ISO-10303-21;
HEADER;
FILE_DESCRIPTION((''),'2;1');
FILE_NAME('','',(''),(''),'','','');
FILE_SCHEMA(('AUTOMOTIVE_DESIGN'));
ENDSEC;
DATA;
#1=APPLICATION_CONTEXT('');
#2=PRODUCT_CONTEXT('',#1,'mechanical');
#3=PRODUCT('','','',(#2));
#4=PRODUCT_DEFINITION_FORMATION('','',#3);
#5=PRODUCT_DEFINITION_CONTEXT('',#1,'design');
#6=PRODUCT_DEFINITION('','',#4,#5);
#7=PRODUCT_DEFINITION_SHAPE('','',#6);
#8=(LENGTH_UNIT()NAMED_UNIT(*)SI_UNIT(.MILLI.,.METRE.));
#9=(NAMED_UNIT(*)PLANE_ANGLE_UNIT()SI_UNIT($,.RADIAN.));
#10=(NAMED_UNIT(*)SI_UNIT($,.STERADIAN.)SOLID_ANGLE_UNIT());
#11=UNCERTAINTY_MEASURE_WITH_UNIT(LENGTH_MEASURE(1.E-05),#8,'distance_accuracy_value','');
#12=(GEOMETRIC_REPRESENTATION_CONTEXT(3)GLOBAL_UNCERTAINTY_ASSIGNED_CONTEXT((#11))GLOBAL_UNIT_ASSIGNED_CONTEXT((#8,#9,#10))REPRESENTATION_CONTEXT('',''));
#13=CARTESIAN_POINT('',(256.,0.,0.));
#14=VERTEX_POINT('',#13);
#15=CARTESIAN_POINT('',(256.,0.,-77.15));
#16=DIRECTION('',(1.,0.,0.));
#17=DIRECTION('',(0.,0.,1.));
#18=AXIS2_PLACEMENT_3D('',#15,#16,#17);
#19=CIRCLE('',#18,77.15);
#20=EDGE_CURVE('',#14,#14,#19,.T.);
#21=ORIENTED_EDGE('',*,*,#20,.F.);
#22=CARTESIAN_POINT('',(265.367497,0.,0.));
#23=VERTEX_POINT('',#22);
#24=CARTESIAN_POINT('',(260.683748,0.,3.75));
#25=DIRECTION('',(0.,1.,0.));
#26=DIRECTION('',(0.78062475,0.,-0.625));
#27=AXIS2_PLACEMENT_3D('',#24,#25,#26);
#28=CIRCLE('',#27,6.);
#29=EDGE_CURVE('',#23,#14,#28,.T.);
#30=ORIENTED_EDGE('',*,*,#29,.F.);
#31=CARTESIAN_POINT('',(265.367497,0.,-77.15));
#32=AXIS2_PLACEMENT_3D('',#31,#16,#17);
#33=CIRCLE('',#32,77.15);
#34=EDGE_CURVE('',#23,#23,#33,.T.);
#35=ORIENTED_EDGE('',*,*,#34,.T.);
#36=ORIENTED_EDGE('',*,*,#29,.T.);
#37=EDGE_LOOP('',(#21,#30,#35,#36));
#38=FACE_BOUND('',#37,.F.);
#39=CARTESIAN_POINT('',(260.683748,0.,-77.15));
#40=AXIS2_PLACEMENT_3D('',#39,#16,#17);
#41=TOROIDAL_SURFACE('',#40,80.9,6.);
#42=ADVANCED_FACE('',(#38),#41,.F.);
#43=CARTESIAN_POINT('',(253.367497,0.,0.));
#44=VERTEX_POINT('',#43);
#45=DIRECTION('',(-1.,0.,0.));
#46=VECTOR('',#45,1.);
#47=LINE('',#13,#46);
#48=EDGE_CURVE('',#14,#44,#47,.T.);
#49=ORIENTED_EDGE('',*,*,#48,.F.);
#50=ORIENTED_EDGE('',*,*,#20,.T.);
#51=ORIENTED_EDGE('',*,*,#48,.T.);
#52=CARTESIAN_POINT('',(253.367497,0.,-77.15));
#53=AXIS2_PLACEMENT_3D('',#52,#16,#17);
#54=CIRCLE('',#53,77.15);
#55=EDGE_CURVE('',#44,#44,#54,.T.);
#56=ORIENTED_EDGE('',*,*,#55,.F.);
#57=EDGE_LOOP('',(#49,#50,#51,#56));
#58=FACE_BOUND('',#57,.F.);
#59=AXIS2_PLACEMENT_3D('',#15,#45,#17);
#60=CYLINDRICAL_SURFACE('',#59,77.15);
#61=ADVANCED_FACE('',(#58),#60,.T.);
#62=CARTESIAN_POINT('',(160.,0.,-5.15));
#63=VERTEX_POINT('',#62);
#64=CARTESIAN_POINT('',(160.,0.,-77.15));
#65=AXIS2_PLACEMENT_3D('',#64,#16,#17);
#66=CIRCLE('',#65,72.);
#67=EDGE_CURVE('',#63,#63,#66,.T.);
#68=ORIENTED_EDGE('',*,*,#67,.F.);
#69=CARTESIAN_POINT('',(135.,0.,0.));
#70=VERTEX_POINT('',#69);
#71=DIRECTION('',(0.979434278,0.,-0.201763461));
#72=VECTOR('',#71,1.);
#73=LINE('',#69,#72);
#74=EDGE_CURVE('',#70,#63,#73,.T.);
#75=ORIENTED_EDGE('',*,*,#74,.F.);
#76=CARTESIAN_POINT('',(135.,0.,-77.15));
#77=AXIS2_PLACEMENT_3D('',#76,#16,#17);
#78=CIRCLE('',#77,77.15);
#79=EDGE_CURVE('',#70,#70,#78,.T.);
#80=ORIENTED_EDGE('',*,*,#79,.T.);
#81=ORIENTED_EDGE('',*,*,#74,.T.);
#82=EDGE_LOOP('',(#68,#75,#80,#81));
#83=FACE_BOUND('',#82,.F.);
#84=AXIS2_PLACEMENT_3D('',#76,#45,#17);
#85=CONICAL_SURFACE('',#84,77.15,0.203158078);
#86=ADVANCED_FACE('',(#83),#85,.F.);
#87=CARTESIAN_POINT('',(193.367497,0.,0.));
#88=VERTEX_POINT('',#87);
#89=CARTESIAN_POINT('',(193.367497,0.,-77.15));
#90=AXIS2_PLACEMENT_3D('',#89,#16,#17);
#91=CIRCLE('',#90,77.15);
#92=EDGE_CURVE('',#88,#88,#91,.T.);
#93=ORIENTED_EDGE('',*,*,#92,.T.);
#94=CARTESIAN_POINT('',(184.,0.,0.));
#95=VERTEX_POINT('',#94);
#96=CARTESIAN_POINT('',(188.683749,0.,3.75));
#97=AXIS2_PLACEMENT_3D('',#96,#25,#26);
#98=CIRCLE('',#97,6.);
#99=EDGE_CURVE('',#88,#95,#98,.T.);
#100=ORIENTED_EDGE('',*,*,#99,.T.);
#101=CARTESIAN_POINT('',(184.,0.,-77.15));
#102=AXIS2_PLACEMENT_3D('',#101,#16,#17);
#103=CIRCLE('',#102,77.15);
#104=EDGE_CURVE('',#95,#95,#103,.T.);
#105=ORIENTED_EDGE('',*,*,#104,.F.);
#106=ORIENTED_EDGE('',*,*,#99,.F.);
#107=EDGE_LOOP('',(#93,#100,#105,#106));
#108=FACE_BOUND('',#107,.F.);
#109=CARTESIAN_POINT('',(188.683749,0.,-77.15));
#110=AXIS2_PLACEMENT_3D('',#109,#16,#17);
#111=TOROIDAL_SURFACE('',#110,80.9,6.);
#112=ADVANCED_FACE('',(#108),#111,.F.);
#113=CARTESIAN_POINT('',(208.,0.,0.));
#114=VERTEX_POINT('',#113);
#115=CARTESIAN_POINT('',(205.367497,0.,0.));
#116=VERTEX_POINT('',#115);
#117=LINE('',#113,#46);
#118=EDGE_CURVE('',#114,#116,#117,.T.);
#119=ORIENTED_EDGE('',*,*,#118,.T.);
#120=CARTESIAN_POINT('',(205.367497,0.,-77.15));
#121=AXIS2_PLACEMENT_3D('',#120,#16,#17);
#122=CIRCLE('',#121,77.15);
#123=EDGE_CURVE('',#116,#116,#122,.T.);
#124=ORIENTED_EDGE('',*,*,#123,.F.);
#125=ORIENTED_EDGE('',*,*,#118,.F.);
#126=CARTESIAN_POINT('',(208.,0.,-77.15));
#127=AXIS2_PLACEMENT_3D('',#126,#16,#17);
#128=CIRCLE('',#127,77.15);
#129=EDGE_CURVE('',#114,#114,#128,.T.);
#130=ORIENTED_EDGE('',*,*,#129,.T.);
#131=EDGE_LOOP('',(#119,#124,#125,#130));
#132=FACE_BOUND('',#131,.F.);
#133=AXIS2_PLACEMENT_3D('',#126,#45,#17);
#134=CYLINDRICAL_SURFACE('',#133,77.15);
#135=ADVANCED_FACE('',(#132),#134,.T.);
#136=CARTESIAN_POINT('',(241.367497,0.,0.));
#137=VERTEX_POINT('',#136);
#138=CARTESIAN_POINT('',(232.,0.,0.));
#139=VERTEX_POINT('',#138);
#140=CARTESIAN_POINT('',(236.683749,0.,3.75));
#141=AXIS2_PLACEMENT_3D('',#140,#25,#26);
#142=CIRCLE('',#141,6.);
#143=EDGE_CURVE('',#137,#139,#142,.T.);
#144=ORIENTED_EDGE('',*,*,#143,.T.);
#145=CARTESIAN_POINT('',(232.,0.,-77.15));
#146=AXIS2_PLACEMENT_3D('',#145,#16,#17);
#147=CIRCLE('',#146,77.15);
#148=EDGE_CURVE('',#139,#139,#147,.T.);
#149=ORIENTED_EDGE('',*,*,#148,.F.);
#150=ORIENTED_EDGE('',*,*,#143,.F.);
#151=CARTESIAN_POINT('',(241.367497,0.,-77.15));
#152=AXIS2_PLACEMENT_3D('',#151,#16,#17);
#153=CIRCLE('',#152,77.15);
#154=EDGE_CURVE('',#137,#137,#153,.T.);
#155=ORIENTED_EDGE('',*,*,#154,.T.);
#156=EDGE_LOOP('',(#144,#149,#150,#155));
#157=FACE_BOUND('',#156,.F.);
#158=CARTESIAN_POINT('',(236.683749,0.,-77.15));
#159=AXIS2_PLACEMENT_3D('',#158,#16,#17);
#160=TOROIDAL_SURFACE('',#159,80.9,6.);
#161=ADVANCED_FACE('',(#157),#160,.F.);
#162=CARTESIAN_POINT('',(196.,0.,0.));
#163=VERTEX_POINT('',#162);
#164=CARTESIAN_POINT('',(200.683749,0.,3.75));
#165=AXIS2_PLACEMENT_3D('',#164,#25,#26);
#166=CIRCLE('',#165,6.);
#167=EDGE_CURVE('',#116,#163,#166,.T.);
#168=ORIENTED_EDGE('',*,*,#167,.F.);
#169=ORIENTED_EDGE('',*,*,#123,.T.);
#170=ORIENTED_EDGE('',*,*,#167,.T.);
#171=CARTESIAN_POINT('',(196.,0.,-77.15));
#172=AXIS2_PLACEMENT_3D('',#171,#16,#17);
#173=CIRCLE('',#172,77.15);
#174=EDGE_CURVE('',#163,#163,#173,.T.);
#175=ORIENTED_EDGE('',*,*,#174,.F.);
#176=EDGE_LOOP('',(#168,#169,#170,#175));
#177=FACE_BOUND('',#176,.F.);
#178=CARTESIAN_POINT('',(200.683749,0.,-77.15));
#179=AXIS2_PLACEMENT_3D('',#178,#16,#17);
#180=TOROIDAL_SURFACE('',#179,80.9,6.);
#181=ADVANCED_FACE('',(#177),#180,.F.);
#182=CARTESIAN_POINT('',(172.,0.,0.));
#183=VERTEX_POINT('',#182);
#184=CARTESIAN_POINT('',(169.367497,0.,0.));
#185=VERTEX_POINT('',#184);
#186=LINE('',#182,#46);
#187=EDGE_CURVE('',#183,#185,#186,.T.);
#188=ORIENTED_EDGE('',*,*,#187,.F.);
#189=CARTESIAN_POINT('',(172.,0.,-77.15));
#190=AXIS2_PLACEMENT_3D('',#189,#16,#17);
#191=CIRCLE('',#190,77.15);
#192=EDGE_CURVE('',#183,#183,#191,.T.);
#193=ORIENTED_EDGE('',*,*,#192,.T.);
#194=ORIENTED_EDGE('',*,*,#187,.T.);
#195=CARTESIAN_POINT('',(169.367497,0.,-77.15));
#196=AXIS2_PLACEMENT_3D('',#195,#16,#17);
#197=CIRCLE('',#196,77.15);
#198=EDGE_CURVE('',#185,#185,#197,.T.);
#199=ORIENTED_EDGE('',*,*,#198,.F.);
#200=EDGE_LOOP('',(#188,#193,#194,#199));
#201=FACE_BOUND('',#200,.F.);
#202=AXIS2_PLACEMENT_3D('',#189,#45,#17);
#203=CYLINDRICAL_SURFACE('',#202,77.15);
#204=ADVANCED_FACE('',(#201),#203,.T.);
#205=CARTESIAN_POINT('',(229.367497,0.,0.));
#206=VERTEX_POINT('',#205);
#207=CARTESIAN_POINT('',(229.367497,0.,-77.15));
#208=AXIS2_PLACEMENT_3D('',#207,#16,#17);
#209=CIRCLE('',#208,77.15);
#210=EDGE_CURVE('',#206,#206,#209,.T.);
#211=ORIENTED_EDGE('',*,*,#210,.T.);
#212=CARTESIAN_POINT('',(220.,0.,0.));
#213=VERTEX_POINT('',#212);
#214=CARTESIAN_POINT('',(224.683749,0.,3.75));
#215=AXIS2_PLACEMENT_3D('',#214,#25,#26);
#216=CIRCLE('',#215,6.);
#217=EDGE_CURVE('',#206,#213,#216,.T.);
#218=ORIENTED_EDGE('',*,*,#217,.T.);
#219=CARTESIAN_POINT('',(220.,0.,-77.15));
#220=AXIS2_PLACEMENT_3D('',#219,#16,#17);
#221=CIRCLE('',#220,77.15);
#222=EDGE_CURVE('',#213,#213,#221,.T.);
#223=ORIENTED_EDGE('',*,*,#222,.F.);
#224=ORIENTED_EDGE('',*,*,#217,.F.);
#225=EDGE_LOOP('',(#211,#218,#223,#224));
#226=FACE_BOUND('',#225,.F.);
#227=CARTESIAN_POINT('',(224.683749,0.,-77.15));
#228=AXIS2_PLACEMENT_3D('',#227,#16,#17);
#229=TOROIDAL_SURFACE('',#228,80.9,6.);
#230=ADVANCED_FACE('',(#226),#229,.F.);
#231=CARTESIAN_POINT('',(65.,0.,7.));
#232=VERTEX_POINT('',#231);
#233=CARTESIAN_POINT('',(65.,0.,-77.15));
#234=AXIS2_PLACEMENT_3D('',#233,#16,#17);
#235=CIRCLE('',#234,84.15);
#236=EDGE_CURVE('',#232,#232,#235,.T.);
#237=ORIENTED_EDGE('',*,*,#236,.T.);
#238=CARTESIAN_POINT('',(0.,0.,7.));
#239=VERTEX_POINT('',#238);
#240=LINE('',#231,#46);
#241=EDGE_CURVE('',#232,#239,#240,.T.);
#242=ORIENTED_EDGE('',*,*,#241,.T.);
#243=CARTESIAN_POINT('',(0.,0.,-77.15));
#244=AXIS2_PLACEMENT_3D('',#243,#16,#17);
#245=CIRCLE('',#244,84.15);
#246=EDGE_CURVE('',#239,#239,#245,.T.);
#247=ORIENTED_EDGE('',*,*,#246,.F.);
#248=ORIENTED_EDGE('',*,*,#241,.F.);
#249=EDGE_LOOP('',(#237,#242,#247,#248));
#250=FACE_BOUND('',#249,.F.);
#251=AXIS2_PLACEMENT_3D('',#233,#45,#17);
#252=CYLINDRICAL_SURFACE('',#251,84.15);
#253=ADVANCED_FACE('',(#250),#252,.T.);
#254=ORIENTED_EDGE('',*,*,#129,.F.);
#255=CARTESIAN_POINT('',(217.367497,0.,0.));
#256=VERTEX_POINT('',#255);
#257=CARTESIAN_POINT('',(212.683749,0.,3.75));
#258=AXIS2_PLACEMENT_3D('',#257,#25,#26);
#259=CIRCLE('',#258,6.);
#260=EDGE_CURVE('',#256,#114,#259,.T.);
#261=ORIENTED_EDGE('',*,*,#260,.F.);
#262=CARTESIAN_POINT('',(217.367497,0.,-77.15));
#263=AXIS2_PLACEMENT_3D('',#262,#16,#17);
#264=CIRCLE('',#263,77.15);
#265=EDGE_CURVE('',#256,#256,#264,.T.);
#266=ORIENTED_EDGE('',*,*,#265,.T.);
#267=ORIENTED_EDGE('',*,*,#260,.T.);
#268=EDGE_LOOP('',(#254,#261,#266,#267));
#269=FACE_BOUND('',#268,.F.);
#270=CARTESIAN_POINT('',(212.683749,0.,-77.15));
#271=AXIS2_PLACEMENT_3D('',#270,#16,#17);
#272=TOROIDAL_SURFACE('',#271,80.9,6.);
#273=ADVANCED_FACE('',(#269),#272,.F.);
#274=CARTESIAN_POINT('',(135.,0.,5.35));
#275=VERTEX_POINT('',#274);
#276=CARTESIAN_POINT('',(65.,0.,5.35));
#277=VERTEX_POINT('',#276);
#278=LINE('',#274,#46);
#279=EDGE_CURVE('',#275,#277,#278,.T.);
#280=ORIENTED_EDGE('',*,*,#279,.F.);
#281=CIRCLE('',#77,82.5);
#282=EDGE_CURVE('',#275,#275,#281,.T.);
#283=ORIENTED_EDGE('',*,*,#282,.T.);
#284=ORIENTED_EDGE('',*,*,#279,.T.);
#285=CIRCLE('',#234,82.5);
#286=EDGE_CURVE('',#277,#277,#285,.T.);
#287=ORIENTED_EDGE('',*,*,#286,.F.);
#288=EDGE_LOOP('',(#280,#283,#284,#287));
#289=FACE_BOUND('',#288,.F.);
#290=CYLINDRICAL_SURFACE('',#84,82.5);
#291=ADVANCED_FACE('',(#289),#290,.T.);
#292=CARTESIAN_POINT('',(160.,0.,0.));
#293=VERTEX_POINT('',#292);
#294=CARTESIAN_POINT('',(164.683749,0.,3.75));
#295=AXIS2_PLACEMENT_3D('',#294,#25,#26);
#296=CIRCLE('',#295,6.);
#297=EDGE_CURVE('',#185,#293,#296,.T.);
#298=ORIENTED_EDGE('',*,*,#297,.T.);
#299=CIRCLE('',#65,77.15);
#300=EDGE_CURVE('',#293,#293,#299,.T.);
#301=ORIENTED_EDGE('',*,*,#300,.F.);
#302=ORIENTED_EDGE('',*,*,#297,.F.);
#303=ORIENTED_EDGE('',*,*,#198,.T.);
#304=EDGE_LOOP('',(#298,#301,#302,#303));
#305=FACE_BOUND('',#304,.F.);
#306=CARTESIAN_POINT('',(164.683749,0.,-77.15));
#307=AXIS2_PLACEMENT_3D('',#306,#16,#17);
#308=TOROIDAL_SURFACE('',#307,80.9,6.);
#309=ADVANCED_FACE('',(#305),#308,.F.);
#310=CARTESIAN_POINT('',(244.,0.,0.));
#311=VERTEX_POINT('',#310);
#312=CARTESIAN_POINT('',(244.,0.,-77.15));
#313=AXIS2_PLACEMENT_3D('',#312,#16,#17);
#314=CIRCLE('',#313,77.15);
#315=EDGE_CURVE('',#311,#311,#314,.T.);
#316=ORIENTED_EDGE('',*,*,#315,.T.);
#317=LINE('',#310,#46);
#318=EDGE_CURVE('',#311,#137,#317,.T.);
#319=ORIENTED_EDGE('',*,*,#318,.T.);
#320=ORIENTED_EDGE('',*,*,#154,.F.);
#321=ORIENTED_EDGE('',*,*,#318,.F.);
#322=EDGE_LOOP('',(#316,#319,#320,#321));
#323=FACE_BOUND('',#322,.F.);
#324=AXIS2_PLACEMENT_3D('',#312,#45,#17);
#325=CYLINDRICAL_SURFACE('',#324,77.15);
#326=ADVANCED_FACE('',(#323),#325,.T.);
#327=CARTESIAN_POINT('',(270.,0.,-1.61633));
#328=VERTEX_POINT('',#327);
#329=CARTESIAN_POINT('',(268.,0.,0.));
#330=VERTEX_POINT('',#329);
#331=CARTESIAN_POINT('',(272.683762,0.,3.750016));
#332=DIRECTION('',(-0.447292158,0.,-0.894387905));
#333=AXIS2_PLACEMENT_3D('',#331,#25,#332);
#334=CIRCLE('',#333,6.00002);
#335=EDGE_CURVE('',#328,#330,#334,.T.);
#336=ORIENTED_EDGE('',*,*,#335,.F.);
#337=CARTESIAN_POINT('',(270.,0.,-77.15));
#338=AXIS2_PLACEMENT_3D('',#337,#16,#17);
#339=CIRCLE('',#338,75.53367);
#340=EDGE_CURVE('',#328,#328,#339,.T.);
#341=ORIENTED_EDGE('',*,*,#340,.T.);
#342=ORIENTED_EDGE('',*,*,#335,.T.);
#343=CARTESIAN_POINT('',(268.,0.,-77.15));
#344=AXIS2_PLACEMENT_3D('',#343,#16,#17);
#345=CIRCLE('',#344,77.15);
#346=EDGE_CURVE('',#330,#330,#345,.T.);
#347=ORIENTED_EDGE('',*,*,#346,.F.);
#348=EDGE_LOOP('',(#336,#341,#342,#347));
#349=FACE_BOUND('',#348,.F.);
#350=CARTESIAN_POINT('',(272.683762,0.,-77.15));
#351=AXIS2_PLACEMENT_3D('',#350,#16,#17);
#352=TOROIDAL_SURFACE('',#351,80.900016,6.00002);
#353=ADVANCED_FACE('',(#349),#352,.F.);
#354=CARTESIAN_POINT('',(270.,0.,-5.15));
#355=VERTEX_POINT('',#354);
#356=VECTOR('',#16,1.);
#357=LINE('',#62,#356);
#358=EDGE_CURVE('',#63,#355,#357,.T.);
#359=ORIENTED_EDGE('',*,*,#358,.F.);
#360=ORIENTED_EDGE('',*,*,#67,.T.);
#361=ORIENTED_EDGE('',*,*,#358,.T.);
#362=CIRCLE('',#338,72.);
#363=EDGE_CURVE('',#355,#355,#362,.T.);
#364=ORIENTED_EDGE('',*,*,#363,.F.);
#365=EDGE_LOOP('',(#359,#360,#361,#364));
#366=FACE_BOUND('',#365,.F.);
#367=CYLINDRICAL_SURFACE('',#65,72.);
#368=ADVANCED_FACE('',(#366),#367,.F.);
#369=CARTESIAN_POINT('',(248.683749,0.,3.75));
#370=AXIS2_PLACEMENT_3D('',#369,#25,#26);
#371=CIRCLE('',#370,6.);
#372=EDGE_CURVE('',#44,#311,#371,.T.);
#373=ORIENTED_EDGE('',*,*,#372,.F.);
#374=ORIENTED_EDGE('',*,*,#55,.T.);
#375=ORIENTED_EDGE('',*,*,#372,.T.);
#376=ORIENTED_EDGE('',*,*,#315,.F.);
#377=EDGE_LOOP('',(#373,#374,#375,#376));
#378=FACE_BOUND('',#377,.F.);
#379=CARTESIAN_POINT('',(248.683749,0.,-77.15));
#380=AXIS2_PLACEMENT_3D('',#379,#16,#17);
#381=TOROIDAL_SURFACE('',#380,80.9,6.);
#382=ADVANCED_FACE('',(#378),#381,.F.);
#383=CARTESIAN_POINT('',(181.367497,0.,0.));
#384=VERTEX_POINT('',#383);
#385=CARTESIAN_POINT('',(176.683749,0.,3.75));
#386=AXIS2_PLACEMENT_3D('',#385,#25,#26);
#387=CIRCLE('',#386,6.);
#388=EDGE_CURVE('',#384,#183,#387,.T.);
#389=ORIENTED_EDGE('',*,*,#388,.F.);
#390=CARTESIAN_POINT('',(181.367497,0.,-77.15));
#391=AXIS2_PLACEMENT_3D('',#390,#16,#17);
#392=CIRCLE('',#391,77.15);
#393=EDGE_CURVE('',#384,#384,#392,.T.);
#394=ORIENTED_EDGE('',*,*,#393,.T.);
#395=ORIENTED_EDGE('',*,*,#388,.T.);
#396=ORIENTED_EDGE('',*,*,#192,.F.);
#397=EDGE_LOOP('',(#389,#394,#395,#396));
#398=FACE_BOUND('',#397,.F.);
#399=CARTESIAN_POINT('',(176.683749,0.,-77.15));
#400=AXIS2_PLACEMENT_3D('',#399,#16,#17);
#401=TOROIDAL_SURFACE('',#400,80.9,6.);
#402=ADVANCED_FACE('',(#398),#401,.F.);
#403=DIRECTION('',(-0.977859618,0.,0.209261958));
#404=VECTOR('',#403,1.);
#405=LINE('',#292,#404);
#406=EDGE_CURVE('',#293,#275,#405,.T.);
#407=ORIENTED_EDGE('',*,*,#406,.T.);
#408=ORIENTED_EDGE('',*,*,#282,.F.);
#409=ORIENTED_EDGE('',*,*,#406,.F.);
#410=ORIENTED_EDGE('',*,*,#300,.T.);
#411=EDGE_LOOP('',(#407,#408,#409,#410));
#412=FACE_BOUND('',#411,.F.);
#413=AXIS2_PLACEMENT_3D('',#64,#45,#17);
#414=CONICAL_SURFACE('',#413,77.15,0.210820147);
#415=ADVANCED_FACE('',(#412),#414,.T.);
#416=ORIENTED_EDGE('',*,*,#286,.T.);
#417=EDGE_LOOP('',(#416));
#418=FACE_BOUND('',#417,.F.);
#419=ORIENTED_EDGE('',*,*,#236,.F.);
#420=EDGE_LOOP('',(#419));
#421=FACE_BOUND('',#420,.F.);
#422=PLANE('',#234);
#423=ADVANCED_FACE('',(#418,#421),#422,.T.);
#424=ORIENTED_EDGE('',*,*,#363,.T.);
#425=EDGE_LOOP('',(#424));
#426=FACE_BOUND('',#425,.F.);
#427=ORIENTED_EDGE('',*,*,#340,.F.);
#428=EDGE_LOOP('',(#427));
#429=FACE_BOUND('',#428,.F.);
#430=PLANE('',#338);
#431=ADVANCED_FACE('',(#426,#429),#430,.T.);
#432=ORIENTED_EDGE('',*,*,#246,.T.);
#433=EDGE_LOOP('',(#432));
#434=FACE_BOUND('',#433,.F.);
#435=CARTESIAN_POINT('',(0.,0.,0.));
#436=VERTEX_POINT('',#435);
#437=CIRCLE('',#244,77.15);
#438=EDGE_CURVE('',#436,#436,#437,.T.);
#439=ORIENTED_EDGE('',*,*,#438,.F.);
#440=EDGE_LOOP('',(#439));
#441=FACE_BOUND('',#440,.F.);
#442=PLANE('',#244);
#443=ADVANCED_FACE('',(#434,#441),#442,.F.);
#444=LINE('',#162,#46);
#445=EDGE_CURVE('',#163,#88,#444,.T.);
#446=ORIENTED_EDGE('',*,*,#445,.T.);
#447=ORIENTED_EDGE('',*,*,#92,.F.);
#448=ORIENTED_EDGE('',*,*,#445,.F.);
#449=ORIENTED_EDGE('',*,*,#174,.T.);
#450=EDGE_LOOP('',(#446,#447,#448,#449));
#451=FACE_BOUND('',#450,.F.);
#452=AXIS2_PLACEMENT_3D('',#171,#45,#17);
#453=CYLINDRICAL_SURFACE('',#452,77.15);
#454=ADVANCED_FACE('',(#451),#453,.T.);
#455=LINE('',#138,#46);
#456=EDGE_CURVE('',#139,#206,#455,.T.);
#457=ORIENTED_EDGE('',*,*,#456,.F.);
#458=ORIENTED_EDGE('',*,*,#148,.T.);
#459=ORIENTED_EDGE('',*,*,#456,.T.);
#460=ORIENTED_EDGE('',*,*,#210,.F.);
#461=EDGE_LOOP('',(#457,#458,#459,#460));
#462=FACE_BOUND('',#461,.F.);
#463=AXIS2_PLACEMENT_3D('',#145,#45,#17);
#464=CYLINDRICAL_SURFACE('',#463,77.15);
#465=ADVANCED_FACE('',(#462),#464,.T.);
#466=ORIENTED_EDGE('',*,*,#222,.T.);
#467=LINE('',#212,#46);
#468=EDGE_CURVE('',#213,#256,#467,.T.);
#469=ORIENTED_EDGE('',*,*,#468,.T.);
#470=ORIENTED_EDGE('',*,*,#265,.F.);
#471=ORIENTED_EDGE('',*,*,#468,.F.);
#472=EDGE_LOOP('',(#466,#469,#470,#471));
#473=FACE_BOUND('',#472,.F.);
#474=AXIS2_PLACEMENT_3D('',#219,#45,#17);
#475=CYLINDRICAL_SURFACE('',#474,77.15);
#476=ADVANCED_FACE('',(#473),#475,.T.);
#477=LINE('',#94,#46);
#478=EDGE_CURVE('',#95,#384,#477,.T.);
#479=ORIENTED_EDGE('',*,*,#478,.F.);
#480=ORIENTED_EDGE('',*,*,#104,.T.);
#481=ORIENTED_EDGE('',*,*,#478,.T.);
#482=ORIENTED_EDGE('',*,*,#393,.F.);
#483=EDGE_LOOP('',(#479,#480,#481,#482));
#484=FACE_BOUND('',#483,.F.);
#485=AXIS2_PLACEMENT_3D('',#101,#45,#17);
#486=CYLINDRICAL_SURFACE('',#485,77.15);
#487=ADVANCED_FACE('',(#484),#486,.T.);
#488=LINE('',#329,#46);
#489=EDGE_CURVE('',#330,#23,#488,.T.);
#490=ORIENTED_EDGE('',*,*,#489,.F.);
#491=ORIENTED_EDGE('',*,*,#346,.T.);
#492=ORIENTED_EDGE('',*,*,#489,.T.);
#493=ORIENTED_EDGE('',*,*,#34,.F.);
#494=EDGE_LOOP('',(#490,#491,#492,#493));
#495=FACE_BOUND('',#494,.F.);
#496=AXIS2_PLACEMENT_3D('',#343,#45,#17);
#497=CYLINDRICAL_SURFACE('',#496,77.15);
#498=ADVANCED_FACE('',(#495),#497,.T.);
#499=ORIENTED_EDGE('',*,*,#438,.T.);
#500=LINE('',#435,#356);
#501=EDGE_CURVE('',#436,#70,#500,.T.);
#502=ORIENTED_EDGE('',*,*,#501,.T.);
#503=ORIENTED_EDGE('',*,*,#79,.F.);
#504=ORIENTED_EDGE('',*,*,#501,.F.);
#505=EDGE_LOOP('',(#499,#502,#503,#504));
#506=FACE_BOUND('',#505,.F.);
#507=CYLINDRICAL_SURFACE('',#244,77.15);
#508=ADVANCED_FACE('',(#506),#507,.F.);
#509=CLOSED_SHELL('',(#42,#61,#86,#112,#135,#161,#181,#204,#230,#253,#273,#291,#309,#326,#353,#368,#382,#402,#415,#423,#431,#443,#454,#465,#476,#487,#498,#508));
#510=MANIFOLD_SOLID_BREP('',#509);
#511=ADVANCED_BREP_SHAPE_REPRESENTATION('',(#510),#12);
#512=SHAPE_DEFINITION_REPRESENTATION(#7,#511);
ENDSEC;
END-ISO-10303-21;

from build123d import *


with BuildPart() as f1:
    # F0 (on Front) → F1 (revolve)
    with BuildSketch(Plane.XZ):
        with BuildLine():
            Line((0, 7), (0, 0))
            Line((0, 0), (135, 0))
            Line((135, 0), (160, -5.15))
            Line((160, -5.15), (270, -5.15))
            Line((270, -5.15), (270, -1.61633))
            ThreePointArc((270, -1.61633), (268.912392, -0.916569), (268, 0))
            Line((268, 0), (265.367497, 0))
            ThreePointArc((265.367497, 0), (260.683748, -2.25), (256, 0))
            Line((256, 0), (253.367497, 0))
            ThreePointArc((253.367497, 0), (248.683748, -2.25), (244, 0))
            Line((244, 0), (241.367497, 0))
            ThreePointArc((241.367497, 0), (236.683748, -2.25), (232, 0))
            Line((232, 0), (229.367497, 0))
            ThreePointArc((229.367497, 0), (224.683748, -2.25), (220, 0))
            Line((220, 0), (217.367497, 0))
            ThreePointArc((217.367497, 0), (212.683748, -2.25), (208, 0))
            Line((208, 0), (205.367497, 0))
            ThreePointArc((205.367497, 0), (200.683748, -2.25), (196, 0))
            Line((196, 0), (193.367497, 0))
            ThreePointArc((193.367497, 0), (188.683748, -2.25), (184, 0))
            Line((184, 0), (181.367497, 0))
            ThreePointArc((181.367497, 0), (176.683748, -2.25), (172, 0))
            Line((172, 0), (169.367497, 0))
            ThreePointArc((169.367497, 0), (164.683748, -2.25), (160, 0))
            Line((160, 0), (135, 5.35))
            Line((135, 5.35), (65, 5.35))
            Line((65, 5.35), (65, 7))
            Line((65, 7), (0, 7))
        make_face()
    revolve(axis=Axis((139.761062, 0, -77.15), (1, 0, 0)))


solid = f1.part
